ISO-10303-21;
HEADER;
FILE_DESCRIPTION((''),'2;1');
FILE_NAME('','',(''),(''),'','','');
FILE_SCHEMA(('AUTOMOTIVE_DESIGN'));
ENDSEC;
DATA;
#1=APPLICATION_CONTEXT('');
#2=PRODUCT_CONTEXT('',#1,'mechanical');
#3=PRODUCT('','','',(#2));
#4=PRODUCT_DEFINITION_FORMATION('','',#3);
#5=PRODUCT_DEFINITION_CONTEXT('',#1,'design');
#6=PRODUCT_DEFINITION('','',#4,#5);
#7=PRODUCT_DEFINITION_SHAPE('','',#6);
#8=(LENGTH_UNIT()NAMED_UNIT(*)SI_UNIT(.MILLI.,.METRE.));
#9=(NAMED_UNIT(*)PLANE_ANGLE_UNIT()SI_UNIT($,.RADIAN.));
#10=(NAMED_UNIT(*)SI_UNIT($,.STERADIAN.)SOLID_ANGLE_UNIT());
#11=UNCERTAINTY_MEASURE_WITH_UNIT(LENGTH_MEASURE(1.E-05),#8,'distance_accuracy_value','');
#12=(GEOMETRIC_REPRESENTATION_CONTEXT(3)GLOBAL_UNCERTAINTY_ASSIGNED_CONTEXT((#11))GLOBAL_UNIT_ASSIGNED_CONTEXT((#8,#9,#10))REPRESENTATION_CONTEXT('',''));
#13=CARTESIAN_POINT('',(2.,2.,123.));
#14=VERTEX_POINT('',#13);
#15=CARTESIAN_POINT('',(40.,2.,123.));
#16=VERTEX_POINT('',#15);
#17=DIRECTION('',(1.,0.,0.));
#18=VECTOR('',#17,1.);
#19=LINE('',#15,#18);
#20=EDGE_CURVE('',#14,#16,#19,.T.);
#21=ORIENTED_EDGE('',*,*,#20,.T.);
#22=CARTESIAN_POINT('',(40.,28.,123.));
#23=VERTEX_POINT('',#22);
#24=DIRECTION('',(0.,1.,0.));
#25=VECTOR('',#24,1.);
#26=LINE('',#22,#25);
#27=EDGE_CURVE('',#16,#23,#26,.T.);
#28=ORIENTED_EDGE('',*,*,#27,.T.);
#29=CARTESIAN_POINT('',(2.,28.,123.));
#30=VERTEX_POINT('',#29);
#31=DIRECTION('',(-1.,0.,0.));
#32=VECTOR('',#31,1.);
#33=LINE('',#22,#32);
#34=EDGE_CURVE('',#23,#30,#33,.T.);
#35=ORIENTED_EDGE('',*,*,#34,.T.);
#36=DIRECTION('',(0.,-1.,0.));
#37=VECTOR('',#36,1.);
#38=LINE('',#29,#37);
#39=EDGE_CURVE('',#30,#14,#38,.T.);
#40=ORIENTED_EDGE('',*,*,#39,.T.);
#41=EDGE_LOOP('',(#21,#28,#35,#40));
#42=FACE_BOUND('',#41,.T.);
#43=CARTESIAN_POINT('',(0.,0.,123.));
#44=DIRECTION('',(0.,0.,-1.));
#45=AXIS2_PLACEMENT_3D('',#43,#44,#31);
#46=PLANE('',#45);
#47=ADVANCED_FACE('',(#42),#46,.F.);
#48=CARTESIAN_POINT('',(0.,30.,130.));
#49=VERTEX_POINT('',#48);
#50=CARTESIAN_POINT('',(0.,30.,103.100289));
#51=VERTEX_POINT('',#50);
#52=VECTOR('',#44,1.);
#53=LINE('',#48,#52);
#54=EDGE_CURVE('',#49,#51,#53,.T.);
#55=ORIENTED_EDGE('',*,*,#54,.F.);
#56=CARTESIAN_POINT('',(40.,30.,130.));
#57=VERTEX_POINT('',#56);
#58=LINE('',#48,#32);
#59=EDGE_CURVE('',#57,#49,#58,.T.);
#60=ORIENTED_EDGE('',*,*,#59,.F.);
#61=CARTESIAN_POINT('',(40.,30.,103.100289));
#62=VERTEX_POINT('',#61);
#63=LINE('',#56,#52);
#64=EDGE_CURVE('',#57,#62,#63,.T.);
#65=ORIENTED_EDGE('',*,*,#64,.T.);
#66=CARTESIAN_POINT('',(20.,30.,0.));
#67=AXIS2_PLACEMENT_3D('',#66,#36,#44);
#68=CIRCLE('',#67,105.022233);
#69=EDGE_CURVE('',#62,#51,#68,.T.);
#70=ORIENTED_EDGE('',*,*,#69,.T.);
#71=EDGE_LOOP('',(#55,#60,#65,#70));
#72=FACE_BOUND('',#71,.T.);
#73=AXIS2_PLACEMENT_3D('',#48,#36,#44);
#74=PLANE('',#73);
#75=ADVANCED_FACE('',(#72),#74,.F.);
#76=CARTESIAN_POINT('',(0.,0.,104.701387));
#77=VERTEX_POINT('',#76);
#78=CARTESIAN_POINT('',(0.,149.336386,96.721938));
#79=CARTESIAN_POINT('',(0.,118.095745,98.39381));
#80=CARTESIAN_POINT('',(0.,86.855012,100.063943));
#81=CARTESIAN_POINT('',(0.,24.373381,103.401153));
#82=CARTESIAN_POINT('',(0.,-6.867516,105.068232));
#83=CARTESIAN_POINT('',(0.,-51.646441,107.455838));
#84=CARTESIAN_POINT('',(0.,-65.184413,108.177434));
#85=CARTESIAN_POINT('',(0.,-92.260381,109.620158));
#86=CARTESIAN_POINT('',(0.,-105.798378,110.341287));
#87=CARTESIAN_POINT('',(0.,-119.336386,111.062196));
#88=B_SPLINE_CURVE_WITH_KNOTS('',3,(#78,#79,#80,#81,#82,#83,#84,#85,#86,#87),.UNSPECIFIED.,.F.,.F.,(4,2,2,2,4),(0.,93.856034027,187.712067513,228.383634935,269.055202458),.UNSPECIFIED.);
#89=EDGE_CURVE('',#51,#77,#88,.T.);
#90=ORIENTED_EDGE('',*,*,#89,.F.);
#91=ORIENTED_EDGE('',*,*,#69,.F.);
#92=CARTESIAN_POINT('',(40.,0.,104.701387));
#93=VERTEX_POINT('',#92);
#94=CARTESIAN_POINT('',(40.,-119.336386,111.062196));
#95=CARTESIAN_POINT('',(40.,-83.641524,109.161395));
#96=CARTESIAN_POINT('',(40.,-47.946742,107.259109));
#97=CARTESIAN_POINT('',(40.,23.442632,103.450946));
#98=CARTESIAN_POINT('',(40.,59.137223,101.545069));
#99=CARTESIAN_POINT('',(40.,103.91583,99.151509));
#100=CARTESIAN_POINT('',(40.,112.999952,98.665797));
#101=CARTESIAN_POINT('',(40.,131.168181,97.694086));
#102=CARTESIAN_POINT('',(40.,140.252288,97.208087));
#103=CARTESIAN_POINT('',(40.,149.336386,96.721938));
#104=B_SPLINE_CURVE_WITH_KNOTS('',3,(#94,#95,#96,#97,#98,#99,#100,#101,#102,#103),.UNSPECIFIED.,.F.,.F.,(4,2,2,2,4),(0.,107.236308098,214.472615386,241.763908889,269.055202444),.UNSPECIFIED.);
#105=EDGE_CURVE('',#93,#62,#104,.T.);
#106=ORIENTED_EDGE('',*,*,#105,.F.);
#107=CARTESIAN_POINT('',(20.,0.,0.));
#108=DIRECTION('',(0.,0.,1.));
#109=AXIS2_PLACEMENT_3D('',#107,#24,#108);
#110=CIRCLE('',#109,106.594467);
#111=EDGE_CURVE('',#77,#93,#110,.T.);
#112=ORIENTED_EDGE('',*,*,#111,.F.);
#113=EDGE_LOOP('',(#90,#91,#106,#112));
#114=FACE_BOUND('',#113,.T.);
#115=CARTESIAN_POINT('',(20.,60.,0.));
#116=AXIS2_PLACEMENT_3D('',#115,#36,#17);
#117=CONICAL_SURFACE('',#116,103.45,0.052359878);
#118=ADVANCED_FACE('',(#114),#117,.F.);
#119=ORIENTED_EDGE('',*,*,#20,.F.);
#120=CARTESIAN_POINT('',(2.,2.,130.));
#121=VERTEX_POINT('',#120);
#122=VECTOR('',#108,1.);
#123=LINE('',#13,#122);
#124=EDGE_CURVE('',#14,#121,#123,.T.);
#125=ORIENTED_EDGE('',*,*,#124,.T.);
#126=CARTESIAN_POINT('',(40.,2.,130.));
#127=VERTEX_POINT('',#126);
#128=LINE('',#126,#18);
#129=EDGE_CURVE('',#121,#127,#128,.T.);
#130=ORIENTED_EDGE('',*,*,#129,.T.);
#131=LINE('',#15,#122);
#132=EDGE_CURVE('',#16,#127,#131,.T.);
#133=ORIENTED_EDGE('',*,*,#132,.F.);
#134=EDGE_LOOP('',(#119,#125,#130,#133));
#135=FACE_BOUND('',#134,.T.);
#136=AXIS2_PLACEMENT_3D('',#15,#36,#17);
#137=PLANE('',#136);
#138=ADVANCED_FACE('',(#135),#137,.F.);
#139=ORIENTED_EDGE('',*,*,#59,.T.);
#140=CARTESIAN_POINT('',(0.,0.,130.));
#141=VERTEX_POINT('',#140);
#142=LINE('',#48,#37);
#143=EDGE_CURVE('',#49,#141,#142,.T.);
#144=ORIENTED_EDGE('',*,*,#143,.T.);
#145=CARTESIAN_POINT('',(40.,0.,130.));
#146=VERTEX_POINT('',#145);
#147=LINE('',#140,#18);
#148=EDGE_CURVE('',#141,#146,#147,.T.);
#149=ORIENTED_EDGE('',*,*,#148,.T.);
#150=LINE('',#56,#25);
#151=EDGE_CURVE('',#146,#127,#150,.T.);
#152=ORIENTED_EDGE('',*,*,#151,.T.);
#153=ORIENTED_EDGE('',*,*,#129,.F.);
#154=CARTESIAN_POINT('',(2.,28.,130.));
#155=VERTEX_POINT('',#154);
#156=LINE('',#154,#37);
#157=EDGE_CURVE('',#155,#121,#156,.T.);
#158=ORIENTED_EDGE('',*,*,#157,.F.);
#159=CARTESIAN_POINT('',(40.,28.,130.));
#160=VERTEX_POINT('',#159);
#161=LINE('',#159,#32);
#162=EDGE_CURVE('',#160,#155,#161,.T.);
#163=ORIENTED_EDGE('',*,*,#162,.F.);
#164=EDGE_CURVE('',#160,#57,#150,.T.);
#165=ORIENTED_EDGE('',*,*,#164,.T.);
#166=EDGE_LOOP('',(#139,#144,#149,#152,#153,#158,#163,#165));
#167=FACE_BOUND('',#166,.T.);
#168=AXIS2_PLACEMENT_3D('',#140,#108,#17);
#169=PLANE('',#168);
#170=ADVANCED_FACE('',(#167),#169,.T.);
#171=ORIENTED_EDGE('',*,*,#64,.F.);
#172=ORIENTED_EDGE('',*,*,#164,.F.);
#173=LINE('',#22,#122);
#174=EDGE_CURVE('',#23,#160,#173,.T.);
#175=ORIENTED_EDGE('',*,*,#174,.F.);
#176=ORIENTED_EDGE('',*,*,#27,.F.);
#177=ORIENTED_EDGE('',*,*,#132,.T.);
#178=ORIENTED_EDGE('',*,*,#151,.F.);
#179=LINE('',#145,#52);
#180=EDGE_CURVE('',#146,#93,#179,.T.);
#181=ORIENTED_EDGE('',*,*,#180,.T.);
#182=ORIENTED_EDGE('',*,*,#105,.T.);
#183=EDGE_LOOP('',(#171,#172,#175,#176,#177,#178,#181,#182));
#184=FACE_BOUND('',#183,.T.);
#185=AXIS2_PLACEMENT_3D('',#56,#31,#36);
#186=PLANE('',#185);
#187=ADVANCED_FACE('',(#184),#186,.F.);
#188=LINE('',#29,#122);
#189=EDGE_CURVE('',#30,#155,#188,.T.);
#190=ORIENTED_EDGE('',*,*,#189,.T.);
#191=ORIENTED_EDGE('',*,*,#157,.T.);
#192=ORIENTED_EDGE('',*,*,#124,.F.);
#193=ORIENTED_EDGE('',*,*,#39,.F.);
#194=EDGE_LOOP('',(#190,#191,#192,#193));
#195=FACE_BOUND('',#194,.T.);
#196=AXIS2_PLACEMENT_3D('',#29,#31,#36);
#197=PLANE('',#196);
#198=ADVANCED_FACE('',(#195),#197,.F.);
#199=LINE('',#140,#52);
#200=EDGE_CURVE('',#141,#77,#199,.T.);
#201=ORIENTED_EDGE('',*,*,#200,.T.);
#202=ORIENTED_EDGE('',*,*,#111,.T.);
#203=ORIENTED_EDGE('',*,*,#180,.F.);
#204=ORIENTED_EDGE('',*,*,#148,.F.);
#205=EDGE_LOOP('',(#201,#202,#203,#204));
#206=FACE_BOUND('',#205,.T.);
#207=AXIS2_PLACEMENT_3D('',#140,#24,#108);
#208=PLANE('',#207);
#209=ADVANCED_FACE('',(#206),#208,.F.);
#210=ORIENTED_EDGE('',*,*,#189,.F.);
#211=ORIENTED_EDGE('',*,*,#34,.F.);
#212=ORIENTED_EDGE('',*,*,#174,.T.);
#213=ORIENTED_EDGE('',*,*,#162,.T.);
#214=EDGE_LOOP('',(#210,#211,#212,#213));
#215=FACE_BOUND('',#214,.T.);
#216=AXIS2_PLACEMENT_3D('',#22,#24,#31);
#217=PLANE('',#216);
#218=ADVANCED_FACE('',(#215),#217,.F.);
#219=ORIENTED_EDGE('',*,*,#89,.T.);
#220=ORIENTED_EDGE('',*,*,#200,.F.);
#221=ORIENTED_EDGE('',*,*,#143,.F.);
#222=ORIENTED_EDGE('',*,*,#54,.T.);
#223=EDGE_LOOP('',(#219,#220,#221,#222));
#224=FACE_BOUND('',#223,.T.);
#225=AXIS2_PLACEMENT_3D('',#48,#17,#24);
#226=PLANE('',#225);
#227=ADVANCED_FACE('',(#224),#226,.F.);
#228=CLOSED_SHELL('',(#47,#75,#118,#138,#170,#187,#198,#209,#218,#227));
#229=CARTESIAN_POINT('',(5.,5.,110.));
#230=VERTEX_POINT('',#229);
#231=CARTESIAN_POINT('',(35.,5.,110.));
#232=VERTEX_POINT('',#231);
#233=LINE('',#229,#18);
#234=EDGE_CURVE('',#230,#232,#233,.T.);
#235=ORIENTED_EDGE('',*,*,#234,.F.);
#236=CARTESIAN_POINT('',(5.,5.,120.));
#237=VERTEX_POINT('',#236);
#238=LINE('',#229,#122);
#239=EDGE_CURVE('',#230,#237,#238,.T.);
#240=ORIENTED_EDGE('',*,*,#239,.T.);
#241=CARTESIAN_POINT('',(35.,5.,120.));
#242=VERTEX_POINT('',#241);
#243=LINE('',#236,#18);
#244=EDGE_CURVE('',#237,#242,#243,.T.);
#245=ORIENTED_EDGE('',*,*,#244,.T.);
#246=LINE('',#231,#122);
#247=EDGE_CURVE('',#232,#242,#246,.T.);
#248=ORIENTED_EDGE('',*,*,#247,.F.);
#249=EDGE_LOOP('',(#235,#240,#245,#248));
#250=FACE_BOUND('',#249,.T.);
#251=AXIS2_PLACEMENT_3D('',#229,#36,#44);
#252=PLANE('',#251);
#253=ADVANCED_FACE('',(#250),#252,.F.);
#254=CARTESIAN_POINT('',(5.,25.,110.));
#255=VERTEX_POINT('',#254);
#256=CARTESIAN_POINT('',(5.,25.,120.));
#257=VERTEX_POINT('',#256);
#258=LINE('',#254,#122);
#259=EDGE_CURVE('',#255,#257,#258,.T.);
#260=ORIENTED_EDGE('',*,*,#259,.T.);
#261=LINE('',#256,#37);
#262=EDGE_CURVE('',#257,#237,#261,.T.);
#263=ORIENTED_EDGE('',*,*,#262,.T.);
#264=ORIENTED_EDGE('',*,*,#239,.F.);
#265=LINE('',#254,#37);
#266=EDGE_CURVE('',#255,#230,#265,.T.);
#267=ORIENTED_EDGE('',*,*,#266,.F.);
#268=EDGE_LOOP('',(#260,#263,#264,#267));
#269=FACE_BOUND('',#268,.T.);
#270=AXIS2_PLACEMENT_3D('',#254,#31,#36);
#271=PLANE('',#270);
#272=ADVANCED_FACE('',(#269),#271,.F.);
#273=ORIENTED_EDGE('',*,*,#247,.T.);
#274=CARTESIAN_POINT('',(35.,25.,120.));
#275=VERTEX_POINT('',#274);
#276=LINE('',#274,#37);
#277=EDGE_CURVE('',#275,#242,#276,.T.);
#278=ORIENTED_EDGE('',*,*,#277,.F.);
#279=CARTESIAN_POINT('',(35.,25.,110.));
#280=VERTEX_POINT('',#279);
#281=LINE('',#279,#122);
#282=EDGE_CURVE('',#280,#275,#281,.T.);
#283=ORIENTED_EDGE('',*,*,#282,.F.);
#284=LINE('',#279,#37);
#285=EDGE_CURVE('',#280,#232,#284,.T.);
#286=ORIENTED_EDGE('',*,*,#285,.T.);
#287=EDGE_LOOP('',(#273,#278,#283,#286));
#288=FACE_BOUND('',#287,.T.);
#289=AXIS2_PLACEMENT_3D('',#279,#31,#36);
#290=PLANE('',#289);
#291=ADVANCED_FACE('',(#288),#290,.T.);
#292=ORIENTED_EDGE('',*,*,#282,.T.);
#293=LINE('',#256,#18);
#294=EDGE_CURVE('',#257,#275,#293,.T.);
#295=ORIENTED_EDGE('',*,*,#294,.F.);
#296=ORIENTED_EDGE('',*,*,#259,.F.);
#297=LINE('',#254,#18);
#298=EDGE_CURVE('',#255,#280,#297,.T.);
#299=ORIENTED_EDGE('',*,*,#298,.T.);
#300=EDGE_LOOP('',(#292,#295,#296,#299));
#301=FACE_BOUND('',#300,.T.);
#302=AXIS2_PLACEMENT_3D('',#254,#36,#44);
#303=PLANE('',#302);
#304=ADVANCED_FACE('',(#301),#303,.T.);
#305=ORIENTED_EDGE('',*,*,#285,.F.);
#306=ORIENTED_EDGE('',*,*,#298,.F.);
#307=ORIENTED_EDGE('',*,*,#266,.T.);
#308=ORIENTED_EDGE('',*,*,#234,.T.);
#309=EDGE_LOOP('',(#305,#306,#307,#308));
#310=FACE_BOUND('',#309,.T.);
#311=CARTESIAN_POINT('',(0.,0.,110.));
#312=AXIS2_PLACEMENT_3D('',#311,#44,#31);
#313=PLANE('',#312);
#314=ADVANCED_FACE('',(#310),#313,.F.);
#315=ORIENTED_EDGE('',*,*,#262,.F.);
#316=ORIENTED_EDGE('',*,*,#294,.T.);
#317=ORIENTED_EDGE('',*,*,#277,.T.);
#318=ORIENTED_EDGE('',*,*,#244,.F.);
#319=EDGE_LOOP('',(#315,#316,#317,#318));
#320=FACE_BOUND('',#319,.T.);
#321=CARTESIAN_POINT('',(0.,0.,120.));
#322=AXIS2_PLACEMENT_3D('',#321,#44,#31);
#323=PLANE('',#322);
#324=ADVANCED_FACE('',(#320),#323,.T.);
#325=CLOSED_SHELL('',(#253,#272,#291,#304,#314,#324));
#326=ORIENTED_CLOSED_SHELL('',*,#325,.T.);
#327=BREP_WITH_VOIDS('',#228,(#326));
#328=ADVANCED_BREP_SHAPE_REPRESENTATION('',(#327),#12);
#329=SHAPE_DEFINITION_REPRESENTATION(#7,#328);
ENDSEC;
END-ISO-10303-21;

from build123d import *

# Parameters (mm, degrees)
SKETCH1_W           = 40
SKETCH1_H           = 30
BOSS_EXTRUDE1_DEPTH = 130
SKETCH6_W           = 30
SKETCH6_H           = 20
CUT_EXTRUDE1_DEPTH  = 10
SKETCH7_W           = 38
SKETCH7_H           = 26
CUT_EXTRUDE2_DEPTH  = 7


with BuildPart() as part:
    # Sketch1 → Boss-Extrude1 (new body)
    with BuildSketch(Plane.XY):
        with Locations((20, 15)):
            Rectangle(SKETCH1_W, SKETCH1_H)
    extrude(amount=BOSS_EXTRUDE1_DEPTH)

    # Sketch4 → Cut-Revolve1 (revolve, cut)
    with BuildSketch(Plane(origin=(20, 0, 0), x_dir=(0, 0, -1), z_dir=(1, 0, 0))):
        Polygon((0, 60), (0, -170), (-115.503789235, -170), (-103.45, 60), align=None)
    revolve(axis=Axis((20, 60, 0), (0, -1, 0)), mode=Mode.SUBTRACT)

    # Sketch6 → Cut-Extrude1 (cut)
    with BuildSketch(Plane.XY.offset(120)):
        with Locations((20, 15)):
            Rectangle(SKETCH6_W, SKETCH6_H)
    extrude(amount=-CUT_EXTRUDE1_DEPTH, mode=Mode.SUBTRACT)

    # Sketch7 → Cut-Extrude2 (cut)
    with BuildSketch(Plane.XY.offset(130)):
        with Locations((21, 15)):
            Rectangle(SKETCH7_W, SKETCH7_H)
    extrude(amount=-CUT_EXTRUDE2_DEPTH, mode=Mode.SUBTRACT)


solid = part.part
